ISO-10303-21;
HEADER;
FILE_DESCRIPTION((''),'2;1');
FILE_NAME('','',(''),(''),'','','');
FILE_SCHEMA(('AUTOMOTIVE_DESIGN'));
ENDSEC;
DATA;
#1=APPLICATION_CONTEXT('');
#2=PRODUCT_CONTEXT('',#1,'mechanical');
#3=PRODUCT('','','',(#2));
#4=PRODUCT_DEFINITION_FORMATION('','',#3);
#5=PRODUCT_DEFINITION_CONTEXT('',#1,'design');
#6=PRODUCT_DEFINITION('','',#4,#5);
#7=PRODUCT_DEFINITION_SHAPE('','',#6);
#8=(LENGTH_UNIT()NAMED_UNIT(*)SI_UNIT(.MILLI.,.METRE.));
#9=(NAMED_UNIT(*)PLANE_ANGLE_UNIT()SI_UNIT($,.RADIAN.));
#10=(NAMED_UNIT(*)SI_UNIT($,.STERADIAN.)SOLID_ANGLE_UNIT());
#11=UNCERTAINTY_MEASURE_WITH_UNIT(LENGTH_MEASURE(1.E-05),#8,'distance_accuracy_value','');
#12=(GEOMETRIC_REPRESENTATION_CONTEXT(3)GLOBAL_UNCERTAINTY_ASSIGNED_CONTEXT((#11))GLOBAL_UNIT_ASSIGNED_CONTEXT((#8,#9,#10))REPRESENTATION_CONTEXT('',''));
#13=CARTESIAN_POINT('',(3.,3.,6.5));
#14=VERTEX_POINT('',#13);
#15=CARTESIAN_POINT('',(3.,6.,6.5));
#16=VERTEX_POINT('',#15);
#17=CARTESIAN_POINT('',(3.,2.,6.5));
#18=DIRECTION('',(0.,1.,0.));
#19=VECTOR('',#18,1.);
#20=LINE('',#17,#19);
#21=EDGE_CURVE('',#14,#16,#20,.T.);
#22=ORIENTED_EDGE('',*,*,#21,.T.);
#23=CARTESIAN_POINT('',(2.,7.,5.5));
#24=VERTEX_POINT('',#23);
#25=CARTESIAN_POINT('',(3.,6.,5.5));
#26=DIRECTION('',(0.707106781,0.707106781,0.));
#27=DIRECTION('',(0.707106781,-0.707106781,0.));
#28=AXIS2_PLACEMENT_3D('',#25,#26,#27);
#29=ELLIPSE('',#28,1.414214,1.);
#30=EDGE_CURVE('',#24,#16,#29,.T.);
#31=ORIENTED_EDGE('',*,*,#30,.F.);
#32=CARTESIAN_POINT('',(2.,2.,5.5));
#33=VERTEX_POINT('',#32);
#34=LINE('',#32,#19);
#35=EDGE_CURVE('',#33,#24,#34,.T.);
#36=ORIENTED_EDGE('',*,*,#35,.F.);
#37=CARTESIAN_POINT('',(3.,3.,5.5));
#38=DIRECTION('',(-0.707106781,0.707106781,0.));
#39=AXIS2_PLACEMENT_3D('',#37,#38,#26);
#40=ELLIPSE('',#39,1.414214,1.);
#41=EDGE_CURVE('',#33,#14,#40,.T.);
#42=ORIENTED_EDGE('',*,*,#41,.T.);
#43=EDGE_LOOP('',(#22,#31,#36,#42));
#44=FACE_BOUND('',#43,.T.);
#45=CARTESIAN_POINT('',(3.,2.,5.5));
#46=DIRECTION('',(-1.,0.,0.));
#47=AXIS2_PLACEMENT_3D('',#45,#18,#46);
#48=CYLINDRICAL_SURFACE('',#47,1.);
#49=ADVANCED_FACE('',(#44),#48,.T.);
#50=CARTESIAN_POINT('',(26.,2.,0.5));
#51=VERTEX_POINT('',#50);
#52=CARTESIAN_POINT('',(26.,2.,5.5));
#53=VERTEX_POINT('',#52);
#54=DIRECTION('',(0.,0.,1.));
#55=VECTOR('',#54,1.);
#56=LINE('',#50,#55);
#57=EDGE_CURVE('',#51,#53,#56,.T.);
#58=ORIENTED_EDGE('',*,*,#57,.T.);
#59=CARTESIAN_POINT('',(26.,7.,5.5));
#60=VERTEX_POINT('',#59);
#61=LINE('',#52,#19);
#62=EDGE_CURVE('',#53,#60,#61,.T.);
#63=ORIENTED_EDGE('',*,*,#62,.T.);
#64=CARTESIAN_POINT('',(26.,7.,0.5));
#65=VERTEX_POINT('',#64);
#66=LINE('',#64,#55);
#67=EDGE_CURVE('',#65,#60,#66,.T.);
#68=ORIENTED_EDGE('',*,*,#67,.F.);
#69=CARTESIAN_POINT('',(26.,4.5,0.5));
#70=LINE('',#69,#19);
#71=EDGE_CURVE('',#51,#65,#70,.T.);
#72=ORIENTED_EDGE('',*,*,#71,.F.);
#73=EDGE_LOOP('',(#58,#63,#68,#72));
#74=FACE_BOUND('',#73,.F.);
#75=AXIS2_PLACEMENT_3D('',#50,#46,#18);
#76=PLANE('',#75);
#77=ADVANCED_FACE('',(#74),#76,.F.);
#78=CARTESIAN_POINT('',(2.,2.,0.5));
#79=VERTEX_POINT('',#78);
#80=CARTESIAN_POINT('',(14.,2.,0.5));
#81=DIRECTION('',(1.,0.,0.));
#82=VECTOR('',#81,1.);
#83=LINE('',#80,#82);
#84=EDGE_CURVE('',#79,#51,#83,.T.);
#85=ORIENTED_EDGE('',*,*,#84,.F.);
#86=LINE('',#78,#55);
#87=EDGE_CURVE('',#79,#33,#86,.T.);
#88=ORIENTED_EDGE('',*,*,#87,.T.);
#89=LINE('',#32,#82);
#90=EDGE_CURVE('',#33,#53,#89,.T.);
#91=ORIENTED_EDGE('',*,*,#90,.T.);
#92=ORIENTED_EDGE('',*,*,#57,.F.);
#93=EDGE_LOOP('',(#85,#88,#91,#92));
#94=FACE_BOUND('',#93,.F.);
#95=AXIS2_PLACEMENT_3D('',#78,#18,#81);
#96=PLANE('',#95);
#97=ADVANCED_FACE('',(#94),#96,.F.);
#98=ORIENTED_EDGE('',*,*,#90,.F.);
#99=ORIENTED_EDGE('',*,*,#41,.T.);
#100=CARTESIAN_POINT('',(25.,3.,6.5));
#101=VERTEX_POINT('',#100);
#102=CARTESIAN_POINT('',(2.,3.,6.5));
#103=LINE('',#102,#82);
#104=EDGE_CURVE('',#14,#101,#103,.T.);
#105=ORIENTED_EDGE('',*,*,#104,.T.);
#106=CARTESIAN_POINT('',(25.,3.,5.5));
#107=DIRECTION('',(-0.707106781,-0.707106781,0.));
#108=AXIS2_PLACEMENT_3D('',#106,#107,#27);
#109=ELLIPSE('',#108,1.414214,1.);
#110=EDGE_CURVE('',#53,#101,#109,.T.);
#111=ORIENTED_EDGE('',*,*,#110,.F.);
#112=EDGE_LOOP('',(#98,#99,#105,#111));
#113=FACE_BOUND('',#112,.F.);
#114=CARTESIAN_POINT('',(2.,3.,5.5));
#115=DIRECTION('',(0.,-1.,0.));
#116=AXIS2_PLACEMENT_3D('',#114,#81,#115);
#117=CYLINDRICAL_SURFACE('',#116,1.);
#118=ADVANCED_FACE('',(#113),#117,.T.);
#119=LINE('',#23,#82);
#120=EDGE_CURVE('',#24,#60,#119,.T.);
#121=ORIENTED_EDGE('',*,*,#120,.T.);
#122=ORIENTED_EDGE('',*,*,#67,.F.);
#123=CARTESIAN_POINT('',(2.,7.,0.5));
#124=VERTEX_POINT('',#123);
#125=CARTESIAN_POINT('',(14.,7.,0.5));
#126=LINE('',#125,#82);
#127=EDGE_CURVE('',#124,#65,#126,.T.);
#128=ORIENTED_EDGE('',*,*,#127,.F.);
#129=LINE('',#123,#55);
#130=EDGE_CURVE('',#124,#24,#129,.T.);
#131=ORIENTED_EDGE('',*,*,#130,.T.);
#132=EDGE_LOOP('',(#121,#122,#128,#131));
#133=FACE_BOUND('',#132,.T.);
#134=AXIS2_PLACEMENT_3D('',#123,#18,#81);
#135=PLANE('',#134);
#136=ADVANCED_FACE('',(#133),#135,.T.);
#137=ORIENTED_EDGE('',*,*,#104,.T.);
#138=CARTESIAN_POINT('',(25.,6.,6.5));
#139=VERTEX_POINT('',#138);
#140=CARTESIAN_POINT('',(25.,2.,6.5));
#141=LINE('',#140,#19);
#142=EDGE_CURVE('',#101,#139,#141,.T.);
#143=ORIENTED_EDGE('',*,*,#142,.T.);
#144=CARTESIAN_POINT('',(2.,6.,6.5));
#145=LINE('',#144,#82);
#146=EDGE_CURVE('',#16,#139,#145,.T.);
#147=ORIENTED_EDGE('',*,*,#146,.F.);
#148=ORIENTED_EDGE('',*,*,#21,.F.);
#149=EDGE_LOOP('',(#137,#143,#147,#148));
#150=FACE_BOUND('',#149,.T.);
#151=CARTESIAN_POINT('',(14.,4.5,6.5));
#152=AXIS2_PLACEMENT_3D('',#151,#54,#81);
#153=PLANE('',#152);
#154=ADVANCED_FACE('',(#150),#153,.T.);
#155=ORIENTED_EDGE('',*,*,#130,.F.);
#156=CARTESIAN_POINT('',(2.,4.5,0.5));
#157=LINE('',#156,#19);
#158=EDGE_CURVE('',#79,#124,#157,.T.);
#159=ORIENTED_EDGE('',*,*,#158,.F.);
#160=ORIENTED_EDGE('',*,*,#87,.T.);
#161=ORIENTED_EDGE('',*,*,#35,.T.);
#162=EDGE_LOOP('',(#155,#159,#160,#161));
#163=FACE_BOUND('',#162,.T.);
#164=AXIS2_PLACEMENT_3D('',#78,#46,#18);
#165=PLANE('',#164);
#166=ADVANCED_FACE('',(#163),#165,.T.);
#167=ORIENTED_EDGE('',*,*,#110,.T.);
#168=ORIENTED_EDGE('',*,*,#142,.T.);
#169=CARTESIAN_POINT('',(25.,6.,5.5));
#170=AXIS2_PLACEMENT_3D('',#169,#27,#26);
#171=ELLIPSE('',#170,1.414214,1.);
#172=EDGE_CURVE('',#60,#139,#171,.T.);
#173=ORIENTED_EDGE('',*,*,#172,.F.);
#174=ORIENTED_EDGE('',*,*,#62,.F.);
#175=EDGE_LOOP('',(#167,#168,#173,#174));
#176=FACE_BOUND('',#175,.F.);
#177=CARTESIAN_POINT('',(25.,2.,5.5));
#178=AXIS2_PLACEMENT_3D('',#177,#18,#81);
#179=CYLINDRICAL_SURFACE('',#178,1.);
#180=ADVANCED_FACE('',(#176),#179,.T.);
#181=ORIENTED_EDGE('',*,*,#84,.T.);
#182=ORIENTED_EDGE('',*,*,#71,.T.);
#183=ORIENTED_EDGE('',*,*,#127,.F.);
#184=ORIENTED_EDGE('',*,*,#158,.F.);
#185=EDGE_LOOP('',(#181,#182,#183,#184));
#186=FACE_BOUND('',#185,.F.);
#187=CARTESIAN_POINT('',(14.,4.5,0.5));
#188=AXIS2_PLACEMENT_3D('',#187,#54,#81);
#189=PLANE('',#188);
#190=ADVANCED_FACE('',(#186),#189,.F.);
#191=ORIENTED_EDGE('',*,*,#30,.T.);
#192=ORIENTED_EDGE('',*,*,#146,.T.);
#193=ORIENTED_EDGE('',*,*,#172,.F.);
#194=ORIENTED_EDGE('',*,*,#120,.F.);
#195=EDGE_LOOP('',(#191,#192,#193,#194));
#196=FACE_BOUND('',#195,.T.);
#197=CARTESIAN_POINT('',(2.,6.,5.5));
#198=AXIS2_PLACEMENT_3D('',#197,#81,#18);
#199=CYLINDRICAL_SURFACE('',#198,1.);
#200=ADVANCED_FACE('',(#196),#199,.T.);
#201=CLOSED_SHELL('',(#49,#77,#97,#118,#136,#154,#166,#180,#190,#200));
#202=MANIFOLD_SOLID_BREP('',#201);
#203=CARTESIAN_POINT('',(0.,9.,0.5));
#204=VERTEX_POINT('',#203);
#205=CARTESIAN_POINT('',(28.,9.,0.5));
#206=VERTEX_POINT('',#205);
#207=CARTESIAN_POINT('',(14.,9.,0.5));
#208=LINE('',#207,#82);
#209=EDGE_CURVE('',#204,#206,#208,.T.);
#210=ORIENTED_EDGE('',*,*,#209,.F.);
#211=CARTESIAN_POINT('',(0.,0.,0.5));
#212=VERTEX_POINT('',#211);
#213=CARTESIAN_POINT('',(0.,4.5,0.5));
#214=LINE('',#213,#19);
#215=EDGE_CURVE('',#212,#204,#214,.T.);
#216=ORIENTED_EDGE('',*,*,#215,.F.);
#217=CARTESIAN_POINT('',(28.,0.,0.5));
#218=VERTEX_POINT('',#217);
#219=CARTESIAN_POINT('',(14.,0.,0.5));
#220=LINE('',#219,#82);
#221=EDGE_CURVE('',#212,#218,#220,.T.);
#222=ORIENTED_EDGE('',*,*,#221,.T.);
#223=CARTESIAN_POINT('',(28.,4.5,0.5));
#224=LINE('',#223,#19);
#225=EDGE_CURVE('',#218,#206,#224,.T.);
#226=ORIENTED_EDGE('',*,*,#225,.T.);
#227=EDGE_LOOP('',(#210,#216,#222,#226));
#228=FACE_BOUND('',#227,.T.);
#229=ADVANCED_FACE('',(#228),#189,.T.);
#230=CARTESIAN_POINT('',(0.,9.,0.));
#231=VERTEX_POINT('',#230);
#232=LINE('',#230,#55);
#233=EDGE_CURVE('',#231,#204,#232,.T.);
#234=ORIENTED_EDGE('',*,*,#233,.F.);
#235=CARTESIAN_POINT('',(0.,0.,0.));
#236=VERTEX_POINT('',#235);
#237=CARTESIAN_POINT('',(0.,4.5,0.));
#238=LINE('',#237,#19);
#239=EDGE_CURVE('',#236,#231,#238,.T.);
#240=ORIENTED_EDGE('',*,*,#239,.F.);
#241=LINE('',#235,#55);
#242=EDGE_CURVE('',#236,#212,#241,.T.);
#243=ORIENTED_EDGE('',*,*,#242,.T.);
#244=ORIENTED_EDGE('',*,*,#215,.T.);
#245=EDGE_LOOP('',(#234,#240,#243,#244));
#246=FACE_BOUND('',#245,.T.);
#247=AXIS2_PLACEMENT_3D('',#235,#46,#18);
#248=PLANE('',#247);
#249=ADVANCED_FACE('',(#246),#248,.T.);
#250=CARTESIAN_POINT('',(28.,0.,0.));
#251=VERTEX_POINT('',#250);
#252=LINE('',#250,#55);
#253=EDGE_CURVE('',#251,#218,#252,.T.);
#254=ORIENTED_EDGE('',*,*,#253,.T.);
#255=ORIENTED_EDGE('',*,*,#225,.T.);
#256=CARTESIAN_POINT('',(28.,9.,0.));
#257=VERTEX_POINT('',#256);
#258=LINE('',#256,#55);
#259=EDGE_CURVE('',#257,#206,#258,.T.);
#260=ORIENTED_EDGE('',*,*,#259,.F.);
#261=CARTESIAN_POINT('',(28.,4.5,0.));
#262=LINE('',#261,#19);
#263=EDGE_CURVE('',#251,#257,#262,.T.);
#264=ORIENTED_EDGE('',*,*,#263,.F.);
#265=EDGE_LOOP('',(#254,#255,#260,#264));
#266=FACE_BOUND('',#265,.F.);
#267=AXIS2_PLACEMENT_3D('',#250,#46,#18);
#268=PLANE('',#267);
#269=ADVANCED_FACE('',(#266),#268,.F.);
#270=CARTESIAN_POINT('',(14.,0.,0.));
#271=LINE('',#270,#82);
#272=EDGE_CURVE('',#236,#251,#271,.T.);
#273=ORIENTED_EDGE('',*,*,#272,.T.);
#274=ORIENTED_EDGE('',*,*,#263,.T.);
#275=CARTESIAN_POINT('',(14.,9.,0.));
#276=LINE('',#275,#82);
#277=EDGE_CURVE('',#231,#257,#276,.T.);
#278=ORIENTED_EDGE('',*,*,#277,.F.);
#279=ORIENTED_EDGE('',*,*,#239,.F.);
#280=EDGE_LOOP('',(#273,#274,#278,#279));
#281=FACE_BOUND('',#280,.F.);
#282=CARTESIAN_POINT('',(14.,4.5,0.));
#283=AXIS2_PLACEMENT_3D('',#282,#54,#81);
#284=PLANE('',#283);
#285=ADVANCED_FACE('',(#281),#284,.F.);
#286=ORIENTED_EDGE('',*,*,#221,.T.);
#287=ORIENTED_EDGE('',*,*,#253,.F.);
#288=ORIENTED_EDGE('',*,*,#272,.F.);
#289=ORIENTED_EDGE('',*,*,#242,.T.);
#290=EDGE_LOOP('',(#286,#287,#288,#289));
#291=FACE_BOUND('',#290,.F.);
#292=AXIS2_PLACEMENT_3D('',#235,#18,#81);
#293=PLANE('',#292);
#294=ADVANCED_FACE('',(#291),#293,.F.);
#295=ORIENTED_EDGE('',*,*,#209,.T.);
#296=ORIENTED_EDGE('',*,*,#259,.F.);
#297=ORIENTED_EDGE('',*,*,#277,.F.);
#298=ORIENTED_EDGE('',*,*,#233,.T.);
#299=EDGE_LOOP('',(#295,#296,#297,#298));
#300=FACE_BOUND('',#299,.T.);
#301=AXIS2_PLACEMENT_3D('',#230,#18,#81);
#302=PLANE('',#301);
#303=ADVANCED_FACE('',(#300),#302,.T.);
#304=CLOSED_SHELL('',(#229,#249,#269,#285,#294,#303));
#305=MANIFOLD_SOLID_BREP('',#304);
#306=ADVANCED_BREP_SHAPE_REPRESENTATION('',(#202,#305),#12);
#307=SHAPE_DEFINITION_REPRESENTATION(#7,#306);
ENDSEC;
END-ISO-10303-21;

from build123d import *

# Parameters (mm, degrees)
SKETCH_W     = 28
SKETCH_H     = 9
PAD_DEPTH    = 0.5
SKETCH001_W  = 24
SKETCH001_H  = 5
PAD001_DEPTH = 6
FILLET_R     = 1


with BuildPart() as pad:
    # Sketch → Pad (new body)
    with BuildSketch(Plane.XY):
        with Locations((14, 4.5)):
            Rectangle(SKETCH_W, SKETCH_H)
    extrude(amount=PAD_DEPTH)


with BuildPart() as fillet_body:
    # Sketch001 → Pad001 (new body)
    with BuildSketch(Plane.XY.offset(0.5)):
        with Locations((14, 4.5)):
            Rectangle(SKETCH001_W, SKETCH001_H)
    extrude(amount=PAD001_DEPTH)

    # Fillet
    fillet_edges = [fillet_body.edges().sort_by_distance(p)[0] for p in [
        (14, 2, 6.5),
        (26, 4.5, 6.5),
        (14, 7, 6.5),
        (2, 4.5, 6.5),
    ]]
    fillet(fillet_edges, radius=FILLET_R)


solid = Compound([pad.part, fillet_body.part])
